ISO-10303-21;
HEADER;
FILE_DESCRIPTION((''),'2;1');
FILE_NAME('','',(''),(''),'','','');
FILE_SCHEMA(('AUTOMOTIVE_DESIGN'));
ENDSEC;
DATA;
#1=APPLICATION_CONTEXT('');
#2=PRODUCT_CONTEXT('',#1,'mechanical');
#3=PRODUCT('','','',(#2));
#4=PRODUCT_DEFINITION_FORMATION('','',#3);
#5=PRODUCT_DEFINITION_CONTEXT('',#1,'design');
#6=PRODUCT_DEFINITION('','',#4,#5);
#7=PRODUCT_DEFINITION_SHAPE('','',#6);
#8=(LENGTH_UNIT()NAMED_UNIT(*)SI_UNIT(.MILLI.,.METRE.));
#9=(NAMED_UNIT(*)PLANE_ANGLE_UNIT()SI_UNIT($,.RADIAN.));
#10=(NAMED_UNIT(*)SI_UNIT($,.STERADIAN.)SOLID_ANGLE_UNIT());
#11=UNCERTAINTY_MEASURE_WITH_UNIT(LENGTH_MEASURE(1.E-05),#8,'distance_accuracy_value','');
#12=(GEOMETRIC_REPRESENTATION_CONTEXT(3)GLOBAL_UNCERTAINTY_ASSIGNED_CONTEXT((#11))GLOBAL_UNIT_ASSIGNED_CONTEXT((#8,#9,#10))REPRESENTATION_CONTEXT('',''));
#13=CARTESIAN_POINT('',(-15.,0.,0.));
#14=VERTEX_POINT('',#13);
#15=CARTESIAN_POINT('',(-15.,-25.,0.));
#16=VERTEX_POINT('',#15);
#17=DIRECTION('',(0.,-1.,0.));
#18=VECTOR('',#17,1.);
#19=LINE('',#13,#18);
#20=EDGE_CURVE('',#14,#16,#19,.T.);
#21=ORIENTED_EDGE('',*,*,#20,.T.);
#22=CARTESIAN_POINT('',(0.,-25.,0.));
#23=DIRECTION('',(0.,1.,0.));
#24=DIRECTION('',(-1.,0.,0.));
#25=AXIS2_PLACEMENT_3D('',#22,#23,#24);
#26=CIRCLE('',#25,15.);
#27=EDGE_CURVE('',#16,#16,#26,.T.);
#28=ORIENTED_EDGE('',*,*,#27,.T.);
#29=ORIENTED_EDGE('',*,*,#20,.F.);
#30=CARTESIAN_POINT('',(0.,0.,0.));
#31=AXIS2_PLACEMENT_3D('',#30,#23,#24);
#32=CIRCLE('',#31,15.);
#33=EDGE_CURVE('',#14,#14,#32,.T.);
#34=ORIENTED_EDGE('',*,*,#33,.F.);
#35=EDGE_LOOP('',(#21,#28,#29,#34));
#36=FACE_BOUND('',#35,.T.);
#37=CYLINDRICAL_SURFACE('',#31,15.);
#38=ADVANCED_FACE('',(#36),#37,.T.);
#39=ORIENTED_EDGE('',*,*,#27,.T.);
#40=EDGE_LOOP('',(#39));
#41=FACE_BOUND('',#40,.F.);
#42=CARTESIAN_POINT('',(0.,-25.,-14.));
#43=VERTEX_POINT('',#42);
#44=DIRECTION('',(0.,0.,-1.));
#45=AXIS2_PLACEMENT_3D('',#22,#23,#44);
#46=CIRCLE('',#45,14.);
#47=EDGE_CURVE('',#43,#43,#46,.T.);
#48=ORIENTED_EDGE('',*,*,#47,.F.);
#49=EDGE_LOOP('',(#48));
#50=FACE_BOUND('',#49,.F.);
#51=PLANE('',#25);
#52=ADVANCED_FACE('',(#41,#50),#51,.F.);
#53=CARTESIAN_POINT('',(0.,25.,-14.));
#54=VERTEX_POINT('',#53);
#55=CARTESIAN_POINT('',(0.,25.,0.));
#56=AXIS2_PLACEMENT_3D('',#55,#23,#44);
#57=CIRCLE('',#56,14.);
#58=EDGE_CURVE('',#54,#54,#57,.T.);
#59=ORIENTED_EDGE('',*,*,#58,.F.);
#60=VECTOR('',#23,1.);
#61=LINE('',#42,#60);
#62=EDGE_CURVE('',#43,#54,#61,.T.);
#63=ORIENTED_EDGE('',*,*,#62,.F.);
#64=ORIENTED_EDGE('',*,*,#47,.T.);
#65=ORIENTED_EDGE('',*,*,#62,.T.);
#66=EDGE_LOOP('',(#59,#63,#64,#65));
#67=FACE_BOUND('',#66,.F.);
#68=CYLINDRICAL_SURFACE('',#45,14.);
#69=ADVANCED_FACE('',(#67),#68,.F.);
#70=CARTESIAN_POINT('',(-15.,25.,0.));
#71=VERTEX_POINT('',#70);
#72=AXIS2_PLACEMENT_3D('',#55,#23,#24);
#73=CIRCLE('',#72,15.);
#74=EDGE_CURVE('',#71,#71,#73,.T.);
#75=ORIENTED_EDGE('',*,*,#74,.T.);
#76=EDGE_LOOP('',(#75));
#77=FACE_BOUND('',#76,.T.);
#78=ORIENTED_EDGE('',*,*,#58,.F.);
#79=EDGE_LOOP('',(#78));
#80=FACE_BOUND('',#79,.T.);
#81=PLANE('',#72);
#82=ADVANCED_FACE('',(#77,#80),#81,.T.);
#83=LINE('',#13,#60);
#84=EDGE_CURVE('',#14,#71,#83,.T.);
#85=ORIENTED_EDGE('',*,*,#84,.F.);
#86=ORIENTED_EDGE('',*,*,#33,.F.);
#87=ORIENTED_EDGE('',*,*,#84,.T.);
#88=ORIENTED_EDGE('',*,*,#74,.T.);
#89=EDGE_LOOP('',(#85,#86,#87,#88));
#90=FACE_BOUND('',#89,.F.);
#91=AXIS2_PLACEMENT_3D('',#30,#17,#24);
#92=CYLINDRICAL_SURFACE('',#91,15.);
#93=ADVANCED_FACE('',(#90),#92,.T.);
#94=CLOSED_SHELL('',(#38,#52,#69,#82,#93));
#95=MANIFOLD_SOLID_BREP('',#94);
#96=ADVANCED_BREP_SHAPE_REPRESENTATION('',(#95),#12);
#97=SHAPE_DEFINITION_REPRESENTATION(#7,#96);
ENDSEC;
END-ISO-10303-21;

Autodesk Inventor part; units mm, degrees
ref_plane "YZ Plane" through (0, 0, 0) normal (1, 0, 0) x (0, 1, 0)
ref_plane "XZ Plane" through (0, 0, 0) normal (0, 1, 0) x (-1, 0, 0)
ref_plane "XY Plane" through (0, 0, 0) normal (0, 0, 1) x (1, 0, 0)
sketch "Sketch1" plane through (0, 0, 0) normal (0, 1, 0) x (-1, 0, 0)
  circle A0 centre (0, 0) radius 15
  dimension "d0" = 30
extrude "Extrusion1" add sketch "Sketch1" along normal mid plane 50
sketch "Sketch2" plane through (0, -25, 0) normal (0, -1, 0) x (1, 0, 0)
  point P0 (0, 0)
hole "Hole1" at (0, -25, 0) direction (0, 1, 0) diameter 28 depth 50
properties part number "outlet pipe"
